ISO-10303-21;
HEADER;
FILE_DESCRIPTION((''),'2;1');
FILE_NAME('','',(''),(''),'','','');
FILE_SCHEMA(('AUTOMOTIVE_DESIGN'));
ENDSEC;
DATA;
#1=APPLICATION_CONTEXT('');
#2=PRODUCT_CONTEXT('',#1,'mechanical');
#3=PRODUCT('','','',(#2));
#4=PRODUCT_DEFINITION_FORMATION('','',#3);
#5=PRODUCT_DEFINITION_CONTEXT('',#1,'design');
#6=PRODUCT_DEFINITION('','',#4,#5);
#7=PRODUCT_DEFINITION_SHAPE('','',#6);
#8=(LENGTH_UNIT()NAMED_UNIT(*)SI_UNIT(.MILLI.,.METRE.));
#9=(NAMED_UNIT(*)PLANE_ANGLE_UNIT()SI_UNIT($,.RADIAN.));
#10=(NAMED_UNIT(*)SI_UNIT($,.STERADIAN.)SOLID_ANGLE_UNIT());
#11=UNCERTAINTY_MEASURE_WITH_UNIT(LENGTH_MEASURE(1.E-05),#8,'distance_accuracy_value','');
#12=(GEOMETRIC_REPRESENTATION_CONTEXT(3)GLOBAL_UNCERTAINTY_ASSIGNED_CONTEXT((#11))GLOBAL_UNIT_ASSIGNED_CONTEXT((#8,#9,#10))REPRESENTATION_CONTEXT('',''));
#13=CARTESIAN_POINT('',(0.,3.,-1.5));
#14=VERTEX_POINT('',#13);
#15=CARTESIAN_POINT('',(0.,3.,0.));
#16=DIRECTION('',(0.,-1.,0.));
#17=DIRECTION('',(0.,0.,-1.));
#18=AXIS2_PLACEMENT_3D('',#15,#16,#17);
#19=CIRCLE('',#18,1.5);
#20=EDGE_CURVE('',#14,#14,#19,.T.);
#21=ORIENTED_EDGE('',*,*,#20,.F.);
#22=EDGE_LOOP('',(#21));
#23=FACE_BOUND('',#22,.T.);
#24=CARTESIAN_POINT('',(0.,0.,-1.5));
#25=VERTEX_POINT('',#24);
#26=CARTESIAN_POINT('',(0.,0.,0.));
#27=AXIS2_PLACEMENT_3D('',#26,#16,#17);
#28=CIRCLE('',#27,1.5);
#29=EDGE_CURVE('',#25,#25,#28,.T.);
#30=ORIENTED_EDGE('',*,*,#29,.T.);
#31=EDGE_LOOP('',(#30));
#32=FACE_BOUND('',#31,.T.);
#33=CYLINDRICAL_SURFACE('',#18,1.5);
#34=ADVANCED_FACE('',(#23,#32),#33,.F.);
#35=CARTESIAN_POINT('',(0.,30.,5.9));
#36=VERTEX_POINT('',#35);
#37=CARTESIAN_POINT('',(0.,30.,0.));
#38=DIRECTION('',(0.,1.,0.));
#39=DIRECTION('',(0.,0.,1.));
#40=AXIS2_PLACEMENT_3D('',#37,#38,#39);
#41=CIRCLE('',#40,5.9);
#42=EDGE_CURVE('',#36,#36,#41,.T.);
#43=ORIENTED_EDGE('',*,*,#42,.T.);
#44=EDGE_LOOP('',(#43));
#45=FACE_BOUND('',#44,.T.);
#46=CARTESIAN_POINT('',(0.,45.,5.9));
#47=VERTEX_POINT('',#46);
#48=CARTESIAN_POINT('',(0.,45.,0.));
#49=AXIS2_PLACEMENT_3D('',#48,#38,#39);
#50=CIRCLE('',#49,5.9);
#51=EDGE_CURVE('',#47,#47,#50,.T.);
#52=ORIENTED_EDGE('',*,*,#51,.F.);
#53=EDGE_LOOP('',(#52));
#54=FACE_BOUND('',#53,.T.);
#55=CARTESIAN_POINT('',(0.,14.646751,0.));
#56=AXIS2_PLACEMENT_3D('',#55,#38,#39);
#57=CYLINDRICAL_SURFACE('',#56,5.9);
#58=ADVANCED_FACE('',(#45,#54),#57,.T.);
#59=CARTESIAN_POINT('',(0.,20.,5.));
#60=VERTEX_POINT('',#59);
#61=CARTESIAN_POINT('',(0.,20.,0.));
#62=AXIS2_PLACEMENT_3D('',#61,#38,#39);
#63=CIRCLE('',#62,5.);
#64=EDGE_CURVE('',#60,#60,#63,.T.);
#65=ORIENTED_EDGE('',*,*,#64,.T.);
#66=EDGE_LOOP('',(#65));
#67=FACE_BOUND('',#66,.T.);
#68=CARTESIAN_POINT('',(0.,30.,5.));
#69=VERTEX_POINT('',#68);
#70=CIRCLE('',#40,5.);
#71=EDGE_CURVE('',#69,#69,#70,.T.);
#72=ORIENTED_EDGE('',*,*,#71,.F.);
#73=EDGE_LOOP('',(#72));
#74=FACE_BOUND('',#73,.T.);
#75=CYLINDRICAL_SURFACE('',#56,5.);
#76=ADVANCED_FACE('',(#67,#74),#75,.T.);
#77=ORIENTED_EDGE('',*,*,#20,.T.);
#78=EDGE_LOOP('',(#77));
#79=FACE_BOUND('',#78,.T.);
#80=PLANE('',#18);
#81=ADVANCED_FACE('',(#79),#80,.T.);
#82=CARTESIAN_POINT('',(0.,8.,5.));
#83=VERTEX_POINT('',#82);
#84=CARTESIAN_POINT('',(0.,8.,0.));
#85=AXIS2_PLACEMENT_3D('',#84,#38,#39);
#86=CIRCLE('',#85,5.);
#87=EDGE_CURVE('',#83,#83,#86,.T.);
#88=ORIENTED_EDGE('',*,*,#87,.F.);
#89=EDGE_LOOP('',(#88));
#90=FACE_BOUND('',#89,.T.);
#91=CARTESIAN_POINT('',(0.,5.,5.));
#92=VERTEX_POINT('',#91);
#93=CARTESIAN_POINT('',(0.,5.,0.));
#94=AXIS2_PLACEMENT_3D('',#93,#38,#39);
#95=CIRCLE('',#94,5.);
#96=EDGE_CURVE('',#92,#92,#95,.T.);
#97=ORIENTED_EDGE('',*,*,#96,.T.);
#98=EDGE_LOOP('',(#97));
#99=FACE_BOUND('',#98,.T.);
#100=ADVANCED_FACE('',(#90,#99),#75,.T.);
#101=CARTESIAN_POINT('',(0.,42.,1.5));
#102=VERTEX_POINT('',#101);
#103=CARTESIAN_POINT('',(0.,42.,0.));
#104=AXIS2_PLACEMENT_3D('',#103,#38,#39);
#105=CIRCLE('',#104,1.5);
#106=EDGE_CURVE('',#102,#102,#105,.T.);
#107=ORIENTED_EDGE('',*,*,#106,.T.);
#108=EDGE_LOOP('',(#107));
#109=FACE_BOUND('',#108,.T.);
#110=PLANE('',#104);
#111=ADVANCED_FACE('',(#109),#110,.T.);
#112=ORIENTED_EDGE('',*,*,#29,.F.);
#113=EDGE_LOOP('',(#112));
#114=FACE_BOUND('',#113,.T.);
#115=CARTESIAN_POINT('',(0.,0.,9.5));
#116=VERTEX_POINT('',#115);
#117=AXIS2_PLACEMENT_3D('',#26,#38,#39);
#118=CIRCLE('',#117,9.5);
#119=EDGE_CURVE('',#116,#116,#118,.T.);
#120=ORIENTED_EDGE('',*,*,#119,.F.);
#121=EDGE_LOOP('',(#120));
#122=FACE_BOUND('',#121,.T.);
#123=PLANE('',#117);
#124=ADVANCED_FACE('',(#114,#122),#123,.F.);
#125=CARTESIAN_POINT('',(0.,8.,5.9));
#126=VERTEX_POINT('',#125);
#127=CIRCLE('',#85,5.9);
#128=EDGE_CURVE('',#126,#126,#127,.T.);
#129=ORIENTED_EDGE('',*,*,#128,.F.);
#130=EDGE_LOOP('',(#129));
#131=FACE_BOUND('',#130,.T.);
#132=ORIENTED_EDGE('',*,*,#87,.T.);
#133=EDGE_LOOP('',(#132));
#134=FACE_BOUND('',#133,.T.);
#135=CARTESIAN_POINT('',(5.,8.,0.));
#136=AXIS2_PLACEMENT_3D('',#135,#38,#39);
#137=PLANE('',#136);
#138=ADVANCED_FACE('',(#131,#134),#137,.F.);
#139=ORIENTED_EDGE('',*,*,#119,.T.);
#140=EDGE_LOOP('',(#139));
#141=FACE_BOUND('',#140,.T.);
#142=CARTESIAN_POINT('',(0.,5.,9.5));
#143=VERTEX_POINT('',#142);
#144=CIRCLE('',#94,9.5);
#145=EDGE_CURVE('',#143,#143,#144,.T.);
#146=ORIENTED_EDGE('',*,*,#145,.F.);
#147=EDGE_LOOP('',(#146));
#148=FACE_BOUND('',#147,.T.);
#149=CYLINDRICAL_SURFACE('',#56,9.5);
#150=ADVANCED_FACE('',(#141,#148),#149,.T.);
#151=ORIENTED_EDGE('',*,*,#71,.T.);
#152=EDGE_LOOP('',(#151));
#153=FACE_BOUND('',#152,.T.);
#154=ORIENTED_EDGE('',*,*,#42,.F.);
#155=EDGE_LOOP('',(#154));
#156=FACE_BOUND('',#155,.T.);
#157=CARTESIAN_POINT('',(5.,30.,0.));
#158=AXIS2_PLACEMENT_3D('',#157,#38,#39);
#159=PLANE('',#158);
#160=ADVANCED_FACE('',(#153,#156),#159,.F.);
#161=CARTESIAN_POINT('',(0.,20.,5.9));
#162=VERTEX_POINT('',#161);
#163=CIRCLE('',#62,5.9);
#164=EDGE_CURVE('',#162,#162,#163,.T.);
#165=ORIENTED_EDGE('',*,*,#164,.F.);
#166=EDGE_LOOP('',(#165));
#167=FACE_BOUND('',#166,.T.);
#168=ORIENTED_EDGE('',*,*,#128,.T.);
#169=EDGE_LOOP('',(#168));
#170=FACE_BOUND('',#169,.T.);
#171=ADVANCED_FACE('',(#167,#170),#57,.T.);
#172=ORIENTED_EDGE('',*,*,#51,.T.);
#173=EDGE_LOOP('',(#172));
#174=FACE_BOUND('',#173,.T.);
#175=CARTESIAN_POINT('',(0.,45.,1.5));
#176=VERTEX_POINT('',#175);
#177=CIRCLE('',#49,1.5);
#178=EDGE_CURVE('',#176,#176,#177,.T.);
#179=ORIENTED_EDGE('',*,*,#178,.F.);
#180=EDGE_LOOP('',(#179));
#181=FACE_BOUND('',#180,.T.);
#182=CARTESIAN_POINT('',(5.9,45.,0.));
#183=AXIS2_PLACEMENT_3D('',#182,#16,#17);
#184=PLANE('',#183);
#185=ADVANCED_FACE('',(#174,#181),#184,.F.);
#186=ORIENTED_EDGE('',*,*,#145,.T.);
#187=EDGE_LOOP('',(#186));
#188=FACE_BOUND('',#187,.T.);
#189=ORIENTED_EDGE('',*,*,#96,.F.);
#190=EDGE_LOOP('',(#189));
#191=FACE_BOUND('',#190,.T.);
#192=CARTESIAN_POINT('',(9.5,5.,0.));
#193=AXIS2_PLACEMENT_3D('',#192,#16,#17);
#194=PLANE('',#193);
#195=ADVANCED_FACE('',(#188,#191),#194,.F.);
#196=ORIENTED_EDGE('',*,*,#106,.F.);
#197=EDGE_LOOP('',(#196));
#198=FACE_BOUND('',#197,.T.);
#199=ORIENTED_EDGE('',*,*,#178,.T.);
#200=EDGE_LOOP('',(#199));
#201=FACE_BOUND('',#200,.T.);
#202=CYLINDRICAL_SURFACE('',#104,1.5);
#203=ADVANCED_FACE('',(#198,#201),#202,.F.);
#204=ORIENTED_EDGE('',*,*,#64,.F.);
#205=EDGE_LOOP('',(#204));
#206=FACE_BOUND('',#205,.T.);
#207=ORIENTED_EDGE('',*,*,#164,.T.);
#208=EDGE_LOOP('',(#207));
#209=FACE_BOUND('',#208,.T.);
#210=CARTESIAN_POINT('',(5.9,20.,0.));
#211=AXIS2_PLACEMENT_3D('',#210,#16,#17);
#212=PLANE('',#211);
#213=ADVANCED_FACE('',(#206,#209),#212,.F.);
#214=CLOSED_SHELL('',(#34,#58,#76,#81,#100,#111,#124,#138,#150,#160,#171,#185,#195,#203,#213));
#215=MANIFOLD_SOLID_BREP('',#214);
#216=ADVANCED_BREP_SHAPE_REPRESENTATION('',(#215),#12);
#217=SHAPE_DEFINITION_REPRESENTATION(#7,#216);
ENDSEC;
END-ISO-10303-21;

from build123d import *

# Parameters (mm, degrees)
SKETCH_2_R          = 1.5
CUT_EXTRUDE_1_DEPTH = 3
CUT_EXTRUDE_START   = -3
SKETCH_3_R          = 1.5
CUT_EXTRUDE_2_DEPTH = 3


with BuildPart() as part:
    # Эскиз1 → Повернуть1 (revolve)
    with BuildSketch(Plane.XY, mode=Mode.PRIVATE) as revolve_1_sk:
        Polygon((0, 0), (9.5, 0), (9.5, 5), (5, 5), (5, 8), (5.9, 8), (5.9, 20), (5, 20), (5, 30), (5.9, 30), (5.9, 45), (0, 45), align=None)
    revolve(revolve_1_sk.sketch.rotate(Axis((0, 14.6467512, 0), (0, -1, 0)), 90), axis=Axis((0, 14.6467512, 0), (0, -1, 0)))

    # Эскиз2 → Вырез-Вытянуть1 (cut)
    with BuildSketch(Plane(origin=(0, 45, 0), x_dir=(1, 0, 0), z_dir=(0, 1, 0))):
        with Locations(Location((0, 0, 0), (0, 0, 270))):
            Circle(SKETCH_2_R)
    extrude(amount=-CUT_EXTRUDE_1_DEPTH, mode=Mode.SUBTRACT)

    # Эскиз3 → Вырез-Вытянуть2 (cut)
    with BuildSketch(Plane(origin=(0, 0, 0), x_dir=(-1, 0, 0), z_dir=(0, -1, 0)).offset(CUT_EXTRUDE_START)):
        with Locations(Location((0, 0, 0), (0, 0, 270))):
            Circle(SKETCH_3_R)
    extrude(amount=CUT_EXTRUDE_2_DEPTH, mode=Mode.SUBTRACT)


solid = part.part
